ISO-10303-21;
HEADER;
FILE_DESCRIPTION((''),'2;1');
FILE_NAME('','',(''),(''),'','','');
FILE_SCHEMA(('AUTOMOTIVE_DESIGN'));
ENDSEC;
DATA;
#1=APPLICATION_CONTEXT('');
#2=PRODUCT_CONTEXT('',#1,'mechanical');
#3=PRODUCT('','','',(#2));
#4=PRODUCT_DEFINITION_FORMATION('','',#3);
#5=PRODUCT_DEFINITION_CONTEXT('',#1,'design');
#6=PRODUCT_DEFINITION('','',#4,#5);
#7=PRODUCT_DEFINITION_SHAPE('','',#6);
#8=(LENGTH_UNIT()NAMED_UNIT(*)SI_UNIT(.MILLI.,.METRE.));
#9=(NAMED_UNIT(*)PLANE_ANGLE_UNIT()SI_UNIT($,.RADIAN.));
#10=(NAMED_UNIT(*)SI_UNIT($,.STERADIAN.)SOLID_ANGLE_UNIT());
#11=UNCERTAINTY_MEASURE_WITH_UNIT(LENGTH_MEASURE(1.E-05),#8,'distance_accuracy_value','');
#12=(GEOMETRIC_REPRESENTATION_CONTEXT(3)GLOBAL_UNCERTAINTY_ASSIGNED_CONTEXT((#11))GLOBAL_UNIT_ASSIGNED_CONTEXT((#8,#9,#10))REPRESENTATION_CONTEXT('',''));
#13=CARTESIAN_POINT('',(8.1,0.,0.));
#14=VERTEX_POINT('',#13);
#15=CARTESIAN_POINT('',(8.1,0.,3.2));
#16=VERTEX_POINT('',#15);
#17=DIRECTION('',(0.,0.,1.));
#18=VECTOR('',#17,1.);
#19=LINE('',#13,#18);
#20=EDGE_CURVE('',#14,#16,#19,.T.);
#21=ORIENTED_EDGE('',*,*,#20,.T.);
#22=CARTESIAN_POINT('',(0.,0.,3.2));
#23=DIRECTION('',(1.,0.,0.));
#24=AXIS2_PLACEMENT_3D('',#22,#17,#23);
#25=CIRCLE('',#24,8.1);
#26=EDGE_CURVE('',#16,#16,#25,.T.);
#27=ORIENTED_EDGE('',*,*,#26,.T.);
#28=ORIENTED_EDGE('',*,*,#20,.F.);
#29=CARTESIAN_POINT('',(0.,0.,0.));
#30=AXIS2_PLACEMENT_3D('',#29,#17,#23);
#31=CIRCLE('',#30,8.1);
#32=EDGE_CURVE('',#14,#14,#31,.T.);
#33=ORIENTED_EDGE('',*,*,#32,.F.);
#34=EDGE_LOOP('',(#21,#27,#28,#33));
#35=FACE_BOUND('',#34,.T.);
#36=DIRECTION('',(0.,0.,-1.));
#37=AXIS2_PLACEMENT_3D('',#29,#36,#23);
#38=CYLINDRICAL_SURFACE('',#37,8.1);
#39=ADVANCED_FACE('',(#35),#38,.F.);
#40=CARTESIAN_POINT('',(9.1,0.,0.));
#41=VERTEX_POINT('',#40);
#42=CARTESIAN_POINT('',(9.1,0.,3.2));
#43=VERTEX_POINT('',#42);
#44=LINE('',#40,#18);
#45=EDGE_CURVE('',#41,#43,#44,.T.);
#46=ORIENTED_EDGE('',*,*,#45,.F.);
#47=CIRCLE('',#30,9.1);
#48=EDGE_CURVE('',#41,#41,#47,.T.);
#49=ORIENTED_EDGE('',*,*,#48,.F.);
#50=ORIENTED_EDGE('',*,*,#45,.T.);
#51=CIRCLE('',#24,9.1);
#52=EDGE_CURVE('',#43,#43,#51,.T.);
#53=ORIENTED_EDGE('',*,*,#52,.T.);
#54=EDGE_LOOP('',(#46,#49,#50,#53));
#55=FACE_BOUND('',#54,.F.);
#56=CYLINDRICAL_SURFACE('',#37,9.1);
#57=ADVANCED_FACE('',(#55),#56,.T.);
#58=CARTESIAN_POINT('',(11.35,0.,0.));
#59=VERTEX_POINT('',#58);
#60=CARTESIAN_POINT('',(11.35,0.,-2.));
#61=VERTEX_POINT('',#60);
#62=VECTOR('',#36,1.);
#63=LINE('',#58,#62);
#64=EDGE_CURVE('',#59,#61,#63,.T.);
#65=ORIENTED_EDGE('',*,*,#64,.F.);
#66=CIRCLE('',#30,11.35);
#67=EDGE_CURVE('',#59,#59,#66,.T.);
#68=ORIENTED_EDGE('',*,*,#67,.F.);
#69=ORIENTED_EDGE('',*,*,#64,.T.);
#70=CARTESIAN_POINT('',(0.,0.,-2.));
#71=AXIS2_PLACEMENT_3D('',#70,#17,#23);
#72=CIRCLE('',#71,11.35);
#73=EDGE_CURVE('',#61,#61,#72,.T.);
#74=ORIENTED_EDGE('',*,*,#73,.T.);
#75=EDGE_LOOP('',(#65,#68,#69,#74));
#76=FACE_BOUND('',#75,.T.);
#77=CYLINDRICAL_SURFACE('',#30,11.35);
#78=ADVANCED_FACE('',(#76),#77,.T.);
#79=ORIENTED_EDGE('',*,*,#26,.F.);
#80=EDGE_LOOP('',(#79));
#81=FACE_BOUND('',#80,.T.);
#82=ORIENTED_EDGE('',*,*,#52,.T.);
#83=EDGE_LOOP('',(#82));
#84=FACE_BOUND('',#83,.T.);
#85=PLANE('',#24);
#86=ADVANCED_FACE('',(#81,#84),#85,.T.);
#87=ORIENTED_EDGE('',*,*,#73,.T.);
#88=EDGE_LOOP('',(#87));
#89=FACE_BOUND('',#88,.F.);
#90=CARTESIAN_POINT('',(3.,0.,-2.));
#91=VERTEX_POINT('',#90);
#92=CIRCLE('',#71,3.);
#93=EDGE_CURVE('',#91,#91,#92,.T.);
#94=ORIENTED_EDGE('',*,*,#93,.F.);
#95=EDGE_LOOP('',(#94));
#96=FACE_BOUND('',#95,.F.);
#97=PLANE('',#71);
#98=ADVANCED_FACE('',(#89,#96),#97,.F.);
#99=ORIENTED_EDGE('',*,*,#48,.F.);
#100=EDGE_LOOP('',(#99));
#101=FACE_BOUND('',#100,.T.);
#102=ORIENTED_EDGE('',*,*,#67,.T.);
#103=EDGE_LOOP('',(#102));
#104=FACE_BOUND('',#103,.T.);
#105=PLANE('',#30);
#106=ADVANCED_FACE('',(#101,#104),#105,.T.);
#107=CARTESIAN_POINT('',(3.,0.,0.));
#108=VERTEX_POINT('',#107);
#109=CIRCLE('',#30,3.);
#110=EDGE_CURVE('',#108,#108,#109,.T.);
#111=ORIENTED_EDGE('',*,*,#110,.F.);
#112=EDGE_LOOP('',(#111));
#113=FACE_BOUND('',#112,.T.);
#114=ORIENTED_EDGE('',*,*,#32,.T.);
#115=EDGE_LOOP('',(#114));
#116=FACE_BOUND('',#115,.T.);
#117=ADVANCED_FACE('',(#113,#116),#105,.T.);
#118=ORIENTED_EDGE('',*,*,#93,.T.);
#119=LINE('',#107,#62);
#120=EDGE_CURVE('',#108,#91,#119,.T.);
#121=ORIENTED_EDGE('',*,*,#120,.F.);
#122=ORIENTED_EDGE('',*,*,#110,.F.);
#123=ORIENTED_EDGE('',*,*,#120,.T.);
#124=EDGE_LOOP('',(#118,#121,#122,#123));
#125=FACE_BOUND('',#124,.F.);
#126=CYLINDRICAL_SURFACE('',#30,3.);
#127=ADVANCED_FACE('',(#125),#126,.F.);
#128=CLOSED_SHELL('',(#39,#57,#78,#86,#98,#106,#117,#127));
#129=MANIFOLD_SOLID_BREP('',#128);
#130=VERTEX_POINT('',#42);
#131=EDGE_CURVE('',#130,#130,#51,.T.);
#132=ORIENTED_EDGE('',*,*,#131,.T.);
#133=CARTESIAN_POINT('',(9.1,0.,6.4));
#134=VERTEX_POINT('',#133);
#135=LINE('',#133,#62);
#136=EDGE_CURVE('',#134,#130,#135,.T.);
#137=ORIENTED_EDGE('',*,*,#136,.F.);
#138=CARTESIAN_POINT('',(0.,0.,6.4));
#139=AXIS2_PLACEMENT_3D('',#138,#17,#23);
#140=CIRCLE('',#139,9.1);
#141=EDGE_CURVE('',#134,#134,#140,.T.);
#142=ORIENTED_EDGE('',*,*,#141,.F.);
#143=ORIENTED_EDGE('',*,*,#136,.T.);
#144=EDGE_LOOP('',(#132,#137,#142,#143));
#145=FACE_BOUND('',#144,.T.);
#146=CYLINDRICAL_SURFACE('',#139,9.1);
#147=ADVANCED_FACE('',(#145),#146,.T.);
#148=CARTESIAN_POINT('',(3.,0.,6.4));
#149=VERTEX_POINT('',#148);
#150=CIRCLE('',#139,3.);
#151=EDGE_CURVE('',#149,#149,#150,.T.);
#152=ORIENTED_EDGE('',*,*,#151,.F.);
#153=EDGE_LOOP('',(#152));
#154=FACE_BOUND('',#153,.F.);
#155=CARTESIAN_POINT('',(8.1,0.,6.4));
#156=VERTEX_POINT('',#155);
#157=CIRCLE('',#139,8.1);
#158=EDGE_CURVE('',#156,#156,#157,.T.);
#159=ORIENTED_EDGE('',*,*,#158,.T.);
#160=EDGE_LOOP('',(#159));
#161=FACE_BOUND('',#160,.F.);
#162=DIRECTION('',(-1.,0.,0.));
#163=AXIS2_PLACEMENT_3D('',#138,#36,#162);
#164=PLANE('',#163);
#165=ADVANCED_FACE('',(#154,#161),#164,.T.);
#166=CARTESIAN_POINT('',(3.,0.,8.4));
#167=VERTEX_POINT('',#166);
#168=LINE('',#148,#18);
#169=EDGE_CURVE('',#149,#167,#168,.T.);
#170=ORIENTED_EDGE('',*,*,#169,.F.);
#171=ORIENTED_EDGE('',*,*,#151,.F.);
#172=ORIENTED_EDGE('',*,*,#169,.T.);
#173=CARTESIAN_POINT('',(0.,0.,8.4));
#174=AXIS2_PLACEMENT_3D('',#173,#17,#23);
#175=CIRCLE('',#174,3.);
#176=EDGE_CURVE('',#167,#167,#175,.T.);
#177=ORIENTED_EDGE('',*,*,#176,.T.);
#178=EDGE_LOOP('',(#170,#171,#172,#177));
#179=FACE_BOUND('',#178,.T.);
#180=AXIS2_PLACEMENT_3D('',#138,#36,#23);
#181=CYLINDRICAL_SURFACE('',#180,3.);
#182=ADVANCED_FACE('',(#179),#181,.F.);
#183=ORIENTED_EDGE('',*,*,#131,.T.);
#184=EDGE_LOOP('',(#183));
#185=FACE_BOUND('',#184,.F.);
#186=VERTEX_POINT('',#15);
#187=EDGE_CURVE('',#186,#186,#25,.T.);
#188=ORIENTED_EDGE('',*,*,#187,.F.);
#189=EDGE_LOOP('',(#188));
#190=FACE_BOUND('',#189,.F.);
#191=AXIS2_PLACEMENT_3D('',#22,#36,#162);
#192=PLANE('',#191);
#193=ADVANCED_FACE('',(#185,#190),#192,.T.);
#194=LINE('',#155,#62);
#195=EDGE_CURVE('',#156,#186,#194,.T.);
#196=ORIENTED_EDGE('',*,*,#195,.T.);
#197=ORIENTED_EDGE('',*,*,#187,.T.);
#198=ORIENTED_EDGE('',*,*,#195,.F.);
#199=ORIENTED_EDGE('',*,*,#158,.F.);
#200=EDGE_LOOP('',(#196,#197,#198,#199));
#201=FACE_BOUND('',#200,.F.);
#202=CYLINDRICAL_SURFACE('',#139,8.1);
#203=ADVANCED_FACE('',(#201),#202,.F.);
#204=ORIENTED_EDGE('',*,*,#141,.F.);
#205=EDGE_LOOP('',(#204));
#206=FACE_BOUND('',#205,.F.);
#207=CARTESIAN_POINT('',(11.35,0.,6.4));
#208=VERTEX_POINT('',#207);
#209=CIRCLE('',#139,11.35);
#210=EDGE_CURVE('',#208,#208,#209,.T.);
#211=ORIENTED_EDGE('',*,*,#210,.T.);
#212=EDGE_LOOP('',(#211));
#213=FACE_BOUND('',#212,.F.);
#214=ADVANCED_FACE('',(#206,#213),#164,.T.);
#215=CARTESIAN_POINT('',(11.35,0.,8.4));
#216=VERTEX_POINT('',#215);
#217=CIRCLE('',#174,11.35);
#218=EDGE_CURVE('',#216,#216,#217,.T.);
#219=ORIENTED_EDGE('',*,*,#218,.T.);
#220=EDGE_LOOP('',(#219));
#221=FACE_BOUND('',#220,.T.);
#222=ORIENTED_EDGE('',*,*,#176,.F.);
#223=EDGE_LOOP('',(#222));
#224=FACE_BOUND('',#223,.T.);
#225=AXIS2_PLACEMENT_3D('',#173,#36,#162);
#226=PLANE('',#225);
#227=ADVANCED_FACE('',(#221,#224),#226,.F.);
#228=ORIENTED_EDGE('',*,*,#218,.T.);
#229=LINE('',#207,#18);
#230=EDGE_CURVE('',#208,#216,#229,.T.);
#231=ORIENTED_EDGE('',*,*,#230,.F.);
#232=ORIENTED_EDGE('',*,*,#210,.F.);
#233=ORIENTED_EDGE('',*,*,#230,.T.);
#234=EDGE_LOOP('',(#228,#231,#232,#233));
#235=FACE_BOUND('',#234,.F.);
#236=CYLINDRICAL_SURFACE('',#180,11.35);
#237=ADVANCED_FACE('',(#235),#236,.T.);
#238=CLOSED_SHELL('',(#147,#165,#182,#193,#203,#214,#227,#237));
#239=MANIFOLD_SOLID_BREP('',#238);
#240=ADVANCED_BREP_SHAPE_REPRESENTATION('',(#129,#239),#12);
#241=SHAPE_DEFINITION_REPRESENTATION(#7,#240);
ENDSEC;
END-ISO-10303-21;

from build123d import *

# Parameters (mm, degrees)
F0_R     = 11.35
F0_R_2   = 9.1
F0_R_3   = 8.1
F0_R_4   = 3
F1_DEPTH = 2
F2_DEPTH = 3.2


with BuildPart() as f1:
    # F0 (on Top) → F1 (new body)
    with BuildSketch(Plane.XY):
        Circle(F0_R)
        Circle(F0_R_2, mode=Mode.SUBTRACT)
        Circle(F0_R_2)
        Circle(F0_R_3, mode=Mode.SUBTRACT)
        Circle(F0_R_3)
        Circle(F0_R_4, mode=Mode.SUBTRACT)
    extrude(amount=-F1_DEPTH)

    # F0 (on Top) → F2 (join)
    with BuildSketch(Plane.XY):
        Circle(F0_R_2)
        Circle(F0_R_3, mode=Mode.SUBTRACT)
    extrude(amount=F2_DEPTH)


with BuildPart() as f3_1:
    # F3: instance of F1
    add(f1.part.mirror(Plane.XY.offset(3.2)))


solid = Compound([f1.part, f3_1.part])
